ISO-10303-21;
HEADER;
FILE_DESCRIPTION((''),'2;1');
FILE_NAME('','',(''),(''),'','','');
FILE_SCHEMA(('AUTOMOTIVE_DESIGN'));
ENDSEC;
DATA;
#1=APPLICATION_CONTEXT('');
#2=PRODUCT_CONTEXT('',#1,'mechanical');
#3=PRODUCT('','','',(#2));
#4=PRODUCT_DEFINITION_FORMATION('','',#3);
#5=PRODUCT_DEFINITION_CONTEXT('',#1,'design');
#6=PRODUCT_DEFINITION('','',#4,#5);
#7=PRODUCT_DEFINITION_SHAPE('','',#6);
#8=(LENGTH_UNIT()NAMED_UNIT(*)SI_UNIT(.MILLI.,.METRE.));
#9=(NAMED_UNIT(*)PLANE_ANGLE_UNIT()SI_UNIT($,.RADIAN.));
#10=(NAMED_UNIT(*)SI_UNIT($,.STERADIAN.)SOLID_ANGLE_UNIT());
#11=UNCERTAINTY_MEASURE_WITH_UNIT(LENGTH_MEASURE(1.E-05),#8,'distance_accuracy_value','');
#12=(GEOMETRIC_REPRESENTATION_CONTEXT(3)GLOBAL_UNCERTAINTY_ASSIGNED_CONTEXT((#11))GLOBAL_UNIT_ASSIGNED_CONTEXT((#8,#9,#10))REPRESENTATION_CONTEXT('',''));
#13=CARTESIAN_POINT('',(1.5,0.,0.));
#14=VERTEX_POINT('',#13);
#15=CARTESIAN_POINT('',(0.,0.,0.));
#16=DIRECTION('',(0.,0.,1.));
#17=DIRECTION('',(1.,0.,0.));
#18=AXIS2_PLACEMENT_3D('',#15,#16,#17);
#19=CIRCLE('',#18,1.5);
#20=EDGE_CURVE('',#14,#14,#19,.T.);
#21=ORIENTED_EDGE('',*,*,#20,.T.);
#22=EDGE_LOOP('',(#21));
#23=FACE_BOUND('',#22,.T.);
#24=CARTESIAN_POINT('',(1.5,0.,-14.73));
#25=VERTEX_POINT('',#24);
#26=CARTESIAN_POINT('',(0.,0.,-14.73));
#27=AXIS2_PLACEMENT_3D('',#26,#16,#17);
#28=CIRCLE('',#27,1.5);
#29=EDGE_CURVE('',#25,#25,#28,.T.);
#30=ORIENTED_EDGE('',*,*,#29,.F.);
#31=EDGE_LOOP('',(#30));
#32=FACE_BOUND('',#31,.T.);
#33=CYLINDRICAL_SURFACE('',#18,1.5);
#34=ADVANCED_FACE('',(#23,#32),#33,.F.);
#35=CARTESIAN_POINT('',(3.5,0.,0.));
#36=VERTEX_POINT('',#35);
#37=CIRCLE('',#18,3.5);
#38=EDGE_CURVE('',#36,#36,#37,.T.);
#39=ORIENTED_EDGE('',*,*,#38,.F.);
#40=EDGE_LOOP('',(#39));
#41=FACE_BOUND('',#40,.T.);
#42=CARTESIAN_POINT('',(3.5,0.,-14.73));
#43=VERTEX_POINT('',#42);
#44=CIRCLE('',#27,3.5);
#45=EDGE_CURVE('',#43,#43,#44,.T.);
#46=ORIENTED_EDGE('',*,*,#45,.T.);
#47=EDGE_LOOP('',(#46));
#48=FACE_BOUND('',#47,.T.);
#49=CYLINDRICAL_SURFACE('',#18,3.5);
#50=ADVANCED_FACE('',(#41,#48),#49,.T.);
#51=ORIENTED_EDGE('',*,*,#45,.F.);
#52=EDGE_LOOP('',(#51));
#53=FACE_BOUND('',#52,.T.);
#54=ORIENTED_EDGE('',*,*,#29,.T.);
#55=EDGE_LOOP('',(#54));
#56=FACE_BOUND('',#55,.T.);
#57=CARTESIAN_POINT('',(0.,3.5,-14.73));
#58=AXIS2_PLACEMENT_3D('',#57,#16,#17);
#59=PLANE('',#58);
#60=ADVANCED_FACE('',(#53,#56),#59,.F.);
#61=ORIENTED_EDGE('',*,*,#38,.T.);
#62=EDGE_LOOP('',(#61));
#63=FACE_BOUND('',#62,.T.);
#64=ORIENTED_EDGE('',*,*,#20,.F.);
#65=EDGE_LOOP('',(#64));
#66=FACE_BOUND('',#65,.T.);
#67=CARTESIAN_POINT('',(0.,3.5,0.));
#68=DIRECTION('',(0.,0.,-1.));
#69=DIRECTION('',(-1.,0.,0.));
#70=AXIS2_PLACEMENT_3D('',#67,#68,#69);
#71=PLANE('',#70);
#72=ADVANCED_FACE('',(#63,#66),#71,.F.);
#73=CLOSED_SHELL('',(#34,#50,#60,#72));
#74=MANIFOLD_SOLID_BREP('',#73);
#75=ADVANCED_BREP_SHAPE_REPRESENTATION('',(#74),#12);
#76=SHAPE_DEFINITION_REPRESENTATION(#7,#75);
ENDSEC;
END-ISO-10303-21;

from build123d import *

# Parameters (mm, degrees)
SKETCH1_W = 14.73
SKETCH1_H = 2


with BuildPart() as part:
    # Sketch1 → Revolve1 (revolve)
    with BuildSketch(Plane(origin=(0, 0, 0), x_dir=(0, 0, -1), z_dir=(1, 0, 0))):
        with Locations((7.365, 2.5)):
            Rectangle(SKETCH1_W, SKETCH1_H)
    revolve(axis=Axis((0, 0, 0), (0, 0, -1)))


solid = part.part
